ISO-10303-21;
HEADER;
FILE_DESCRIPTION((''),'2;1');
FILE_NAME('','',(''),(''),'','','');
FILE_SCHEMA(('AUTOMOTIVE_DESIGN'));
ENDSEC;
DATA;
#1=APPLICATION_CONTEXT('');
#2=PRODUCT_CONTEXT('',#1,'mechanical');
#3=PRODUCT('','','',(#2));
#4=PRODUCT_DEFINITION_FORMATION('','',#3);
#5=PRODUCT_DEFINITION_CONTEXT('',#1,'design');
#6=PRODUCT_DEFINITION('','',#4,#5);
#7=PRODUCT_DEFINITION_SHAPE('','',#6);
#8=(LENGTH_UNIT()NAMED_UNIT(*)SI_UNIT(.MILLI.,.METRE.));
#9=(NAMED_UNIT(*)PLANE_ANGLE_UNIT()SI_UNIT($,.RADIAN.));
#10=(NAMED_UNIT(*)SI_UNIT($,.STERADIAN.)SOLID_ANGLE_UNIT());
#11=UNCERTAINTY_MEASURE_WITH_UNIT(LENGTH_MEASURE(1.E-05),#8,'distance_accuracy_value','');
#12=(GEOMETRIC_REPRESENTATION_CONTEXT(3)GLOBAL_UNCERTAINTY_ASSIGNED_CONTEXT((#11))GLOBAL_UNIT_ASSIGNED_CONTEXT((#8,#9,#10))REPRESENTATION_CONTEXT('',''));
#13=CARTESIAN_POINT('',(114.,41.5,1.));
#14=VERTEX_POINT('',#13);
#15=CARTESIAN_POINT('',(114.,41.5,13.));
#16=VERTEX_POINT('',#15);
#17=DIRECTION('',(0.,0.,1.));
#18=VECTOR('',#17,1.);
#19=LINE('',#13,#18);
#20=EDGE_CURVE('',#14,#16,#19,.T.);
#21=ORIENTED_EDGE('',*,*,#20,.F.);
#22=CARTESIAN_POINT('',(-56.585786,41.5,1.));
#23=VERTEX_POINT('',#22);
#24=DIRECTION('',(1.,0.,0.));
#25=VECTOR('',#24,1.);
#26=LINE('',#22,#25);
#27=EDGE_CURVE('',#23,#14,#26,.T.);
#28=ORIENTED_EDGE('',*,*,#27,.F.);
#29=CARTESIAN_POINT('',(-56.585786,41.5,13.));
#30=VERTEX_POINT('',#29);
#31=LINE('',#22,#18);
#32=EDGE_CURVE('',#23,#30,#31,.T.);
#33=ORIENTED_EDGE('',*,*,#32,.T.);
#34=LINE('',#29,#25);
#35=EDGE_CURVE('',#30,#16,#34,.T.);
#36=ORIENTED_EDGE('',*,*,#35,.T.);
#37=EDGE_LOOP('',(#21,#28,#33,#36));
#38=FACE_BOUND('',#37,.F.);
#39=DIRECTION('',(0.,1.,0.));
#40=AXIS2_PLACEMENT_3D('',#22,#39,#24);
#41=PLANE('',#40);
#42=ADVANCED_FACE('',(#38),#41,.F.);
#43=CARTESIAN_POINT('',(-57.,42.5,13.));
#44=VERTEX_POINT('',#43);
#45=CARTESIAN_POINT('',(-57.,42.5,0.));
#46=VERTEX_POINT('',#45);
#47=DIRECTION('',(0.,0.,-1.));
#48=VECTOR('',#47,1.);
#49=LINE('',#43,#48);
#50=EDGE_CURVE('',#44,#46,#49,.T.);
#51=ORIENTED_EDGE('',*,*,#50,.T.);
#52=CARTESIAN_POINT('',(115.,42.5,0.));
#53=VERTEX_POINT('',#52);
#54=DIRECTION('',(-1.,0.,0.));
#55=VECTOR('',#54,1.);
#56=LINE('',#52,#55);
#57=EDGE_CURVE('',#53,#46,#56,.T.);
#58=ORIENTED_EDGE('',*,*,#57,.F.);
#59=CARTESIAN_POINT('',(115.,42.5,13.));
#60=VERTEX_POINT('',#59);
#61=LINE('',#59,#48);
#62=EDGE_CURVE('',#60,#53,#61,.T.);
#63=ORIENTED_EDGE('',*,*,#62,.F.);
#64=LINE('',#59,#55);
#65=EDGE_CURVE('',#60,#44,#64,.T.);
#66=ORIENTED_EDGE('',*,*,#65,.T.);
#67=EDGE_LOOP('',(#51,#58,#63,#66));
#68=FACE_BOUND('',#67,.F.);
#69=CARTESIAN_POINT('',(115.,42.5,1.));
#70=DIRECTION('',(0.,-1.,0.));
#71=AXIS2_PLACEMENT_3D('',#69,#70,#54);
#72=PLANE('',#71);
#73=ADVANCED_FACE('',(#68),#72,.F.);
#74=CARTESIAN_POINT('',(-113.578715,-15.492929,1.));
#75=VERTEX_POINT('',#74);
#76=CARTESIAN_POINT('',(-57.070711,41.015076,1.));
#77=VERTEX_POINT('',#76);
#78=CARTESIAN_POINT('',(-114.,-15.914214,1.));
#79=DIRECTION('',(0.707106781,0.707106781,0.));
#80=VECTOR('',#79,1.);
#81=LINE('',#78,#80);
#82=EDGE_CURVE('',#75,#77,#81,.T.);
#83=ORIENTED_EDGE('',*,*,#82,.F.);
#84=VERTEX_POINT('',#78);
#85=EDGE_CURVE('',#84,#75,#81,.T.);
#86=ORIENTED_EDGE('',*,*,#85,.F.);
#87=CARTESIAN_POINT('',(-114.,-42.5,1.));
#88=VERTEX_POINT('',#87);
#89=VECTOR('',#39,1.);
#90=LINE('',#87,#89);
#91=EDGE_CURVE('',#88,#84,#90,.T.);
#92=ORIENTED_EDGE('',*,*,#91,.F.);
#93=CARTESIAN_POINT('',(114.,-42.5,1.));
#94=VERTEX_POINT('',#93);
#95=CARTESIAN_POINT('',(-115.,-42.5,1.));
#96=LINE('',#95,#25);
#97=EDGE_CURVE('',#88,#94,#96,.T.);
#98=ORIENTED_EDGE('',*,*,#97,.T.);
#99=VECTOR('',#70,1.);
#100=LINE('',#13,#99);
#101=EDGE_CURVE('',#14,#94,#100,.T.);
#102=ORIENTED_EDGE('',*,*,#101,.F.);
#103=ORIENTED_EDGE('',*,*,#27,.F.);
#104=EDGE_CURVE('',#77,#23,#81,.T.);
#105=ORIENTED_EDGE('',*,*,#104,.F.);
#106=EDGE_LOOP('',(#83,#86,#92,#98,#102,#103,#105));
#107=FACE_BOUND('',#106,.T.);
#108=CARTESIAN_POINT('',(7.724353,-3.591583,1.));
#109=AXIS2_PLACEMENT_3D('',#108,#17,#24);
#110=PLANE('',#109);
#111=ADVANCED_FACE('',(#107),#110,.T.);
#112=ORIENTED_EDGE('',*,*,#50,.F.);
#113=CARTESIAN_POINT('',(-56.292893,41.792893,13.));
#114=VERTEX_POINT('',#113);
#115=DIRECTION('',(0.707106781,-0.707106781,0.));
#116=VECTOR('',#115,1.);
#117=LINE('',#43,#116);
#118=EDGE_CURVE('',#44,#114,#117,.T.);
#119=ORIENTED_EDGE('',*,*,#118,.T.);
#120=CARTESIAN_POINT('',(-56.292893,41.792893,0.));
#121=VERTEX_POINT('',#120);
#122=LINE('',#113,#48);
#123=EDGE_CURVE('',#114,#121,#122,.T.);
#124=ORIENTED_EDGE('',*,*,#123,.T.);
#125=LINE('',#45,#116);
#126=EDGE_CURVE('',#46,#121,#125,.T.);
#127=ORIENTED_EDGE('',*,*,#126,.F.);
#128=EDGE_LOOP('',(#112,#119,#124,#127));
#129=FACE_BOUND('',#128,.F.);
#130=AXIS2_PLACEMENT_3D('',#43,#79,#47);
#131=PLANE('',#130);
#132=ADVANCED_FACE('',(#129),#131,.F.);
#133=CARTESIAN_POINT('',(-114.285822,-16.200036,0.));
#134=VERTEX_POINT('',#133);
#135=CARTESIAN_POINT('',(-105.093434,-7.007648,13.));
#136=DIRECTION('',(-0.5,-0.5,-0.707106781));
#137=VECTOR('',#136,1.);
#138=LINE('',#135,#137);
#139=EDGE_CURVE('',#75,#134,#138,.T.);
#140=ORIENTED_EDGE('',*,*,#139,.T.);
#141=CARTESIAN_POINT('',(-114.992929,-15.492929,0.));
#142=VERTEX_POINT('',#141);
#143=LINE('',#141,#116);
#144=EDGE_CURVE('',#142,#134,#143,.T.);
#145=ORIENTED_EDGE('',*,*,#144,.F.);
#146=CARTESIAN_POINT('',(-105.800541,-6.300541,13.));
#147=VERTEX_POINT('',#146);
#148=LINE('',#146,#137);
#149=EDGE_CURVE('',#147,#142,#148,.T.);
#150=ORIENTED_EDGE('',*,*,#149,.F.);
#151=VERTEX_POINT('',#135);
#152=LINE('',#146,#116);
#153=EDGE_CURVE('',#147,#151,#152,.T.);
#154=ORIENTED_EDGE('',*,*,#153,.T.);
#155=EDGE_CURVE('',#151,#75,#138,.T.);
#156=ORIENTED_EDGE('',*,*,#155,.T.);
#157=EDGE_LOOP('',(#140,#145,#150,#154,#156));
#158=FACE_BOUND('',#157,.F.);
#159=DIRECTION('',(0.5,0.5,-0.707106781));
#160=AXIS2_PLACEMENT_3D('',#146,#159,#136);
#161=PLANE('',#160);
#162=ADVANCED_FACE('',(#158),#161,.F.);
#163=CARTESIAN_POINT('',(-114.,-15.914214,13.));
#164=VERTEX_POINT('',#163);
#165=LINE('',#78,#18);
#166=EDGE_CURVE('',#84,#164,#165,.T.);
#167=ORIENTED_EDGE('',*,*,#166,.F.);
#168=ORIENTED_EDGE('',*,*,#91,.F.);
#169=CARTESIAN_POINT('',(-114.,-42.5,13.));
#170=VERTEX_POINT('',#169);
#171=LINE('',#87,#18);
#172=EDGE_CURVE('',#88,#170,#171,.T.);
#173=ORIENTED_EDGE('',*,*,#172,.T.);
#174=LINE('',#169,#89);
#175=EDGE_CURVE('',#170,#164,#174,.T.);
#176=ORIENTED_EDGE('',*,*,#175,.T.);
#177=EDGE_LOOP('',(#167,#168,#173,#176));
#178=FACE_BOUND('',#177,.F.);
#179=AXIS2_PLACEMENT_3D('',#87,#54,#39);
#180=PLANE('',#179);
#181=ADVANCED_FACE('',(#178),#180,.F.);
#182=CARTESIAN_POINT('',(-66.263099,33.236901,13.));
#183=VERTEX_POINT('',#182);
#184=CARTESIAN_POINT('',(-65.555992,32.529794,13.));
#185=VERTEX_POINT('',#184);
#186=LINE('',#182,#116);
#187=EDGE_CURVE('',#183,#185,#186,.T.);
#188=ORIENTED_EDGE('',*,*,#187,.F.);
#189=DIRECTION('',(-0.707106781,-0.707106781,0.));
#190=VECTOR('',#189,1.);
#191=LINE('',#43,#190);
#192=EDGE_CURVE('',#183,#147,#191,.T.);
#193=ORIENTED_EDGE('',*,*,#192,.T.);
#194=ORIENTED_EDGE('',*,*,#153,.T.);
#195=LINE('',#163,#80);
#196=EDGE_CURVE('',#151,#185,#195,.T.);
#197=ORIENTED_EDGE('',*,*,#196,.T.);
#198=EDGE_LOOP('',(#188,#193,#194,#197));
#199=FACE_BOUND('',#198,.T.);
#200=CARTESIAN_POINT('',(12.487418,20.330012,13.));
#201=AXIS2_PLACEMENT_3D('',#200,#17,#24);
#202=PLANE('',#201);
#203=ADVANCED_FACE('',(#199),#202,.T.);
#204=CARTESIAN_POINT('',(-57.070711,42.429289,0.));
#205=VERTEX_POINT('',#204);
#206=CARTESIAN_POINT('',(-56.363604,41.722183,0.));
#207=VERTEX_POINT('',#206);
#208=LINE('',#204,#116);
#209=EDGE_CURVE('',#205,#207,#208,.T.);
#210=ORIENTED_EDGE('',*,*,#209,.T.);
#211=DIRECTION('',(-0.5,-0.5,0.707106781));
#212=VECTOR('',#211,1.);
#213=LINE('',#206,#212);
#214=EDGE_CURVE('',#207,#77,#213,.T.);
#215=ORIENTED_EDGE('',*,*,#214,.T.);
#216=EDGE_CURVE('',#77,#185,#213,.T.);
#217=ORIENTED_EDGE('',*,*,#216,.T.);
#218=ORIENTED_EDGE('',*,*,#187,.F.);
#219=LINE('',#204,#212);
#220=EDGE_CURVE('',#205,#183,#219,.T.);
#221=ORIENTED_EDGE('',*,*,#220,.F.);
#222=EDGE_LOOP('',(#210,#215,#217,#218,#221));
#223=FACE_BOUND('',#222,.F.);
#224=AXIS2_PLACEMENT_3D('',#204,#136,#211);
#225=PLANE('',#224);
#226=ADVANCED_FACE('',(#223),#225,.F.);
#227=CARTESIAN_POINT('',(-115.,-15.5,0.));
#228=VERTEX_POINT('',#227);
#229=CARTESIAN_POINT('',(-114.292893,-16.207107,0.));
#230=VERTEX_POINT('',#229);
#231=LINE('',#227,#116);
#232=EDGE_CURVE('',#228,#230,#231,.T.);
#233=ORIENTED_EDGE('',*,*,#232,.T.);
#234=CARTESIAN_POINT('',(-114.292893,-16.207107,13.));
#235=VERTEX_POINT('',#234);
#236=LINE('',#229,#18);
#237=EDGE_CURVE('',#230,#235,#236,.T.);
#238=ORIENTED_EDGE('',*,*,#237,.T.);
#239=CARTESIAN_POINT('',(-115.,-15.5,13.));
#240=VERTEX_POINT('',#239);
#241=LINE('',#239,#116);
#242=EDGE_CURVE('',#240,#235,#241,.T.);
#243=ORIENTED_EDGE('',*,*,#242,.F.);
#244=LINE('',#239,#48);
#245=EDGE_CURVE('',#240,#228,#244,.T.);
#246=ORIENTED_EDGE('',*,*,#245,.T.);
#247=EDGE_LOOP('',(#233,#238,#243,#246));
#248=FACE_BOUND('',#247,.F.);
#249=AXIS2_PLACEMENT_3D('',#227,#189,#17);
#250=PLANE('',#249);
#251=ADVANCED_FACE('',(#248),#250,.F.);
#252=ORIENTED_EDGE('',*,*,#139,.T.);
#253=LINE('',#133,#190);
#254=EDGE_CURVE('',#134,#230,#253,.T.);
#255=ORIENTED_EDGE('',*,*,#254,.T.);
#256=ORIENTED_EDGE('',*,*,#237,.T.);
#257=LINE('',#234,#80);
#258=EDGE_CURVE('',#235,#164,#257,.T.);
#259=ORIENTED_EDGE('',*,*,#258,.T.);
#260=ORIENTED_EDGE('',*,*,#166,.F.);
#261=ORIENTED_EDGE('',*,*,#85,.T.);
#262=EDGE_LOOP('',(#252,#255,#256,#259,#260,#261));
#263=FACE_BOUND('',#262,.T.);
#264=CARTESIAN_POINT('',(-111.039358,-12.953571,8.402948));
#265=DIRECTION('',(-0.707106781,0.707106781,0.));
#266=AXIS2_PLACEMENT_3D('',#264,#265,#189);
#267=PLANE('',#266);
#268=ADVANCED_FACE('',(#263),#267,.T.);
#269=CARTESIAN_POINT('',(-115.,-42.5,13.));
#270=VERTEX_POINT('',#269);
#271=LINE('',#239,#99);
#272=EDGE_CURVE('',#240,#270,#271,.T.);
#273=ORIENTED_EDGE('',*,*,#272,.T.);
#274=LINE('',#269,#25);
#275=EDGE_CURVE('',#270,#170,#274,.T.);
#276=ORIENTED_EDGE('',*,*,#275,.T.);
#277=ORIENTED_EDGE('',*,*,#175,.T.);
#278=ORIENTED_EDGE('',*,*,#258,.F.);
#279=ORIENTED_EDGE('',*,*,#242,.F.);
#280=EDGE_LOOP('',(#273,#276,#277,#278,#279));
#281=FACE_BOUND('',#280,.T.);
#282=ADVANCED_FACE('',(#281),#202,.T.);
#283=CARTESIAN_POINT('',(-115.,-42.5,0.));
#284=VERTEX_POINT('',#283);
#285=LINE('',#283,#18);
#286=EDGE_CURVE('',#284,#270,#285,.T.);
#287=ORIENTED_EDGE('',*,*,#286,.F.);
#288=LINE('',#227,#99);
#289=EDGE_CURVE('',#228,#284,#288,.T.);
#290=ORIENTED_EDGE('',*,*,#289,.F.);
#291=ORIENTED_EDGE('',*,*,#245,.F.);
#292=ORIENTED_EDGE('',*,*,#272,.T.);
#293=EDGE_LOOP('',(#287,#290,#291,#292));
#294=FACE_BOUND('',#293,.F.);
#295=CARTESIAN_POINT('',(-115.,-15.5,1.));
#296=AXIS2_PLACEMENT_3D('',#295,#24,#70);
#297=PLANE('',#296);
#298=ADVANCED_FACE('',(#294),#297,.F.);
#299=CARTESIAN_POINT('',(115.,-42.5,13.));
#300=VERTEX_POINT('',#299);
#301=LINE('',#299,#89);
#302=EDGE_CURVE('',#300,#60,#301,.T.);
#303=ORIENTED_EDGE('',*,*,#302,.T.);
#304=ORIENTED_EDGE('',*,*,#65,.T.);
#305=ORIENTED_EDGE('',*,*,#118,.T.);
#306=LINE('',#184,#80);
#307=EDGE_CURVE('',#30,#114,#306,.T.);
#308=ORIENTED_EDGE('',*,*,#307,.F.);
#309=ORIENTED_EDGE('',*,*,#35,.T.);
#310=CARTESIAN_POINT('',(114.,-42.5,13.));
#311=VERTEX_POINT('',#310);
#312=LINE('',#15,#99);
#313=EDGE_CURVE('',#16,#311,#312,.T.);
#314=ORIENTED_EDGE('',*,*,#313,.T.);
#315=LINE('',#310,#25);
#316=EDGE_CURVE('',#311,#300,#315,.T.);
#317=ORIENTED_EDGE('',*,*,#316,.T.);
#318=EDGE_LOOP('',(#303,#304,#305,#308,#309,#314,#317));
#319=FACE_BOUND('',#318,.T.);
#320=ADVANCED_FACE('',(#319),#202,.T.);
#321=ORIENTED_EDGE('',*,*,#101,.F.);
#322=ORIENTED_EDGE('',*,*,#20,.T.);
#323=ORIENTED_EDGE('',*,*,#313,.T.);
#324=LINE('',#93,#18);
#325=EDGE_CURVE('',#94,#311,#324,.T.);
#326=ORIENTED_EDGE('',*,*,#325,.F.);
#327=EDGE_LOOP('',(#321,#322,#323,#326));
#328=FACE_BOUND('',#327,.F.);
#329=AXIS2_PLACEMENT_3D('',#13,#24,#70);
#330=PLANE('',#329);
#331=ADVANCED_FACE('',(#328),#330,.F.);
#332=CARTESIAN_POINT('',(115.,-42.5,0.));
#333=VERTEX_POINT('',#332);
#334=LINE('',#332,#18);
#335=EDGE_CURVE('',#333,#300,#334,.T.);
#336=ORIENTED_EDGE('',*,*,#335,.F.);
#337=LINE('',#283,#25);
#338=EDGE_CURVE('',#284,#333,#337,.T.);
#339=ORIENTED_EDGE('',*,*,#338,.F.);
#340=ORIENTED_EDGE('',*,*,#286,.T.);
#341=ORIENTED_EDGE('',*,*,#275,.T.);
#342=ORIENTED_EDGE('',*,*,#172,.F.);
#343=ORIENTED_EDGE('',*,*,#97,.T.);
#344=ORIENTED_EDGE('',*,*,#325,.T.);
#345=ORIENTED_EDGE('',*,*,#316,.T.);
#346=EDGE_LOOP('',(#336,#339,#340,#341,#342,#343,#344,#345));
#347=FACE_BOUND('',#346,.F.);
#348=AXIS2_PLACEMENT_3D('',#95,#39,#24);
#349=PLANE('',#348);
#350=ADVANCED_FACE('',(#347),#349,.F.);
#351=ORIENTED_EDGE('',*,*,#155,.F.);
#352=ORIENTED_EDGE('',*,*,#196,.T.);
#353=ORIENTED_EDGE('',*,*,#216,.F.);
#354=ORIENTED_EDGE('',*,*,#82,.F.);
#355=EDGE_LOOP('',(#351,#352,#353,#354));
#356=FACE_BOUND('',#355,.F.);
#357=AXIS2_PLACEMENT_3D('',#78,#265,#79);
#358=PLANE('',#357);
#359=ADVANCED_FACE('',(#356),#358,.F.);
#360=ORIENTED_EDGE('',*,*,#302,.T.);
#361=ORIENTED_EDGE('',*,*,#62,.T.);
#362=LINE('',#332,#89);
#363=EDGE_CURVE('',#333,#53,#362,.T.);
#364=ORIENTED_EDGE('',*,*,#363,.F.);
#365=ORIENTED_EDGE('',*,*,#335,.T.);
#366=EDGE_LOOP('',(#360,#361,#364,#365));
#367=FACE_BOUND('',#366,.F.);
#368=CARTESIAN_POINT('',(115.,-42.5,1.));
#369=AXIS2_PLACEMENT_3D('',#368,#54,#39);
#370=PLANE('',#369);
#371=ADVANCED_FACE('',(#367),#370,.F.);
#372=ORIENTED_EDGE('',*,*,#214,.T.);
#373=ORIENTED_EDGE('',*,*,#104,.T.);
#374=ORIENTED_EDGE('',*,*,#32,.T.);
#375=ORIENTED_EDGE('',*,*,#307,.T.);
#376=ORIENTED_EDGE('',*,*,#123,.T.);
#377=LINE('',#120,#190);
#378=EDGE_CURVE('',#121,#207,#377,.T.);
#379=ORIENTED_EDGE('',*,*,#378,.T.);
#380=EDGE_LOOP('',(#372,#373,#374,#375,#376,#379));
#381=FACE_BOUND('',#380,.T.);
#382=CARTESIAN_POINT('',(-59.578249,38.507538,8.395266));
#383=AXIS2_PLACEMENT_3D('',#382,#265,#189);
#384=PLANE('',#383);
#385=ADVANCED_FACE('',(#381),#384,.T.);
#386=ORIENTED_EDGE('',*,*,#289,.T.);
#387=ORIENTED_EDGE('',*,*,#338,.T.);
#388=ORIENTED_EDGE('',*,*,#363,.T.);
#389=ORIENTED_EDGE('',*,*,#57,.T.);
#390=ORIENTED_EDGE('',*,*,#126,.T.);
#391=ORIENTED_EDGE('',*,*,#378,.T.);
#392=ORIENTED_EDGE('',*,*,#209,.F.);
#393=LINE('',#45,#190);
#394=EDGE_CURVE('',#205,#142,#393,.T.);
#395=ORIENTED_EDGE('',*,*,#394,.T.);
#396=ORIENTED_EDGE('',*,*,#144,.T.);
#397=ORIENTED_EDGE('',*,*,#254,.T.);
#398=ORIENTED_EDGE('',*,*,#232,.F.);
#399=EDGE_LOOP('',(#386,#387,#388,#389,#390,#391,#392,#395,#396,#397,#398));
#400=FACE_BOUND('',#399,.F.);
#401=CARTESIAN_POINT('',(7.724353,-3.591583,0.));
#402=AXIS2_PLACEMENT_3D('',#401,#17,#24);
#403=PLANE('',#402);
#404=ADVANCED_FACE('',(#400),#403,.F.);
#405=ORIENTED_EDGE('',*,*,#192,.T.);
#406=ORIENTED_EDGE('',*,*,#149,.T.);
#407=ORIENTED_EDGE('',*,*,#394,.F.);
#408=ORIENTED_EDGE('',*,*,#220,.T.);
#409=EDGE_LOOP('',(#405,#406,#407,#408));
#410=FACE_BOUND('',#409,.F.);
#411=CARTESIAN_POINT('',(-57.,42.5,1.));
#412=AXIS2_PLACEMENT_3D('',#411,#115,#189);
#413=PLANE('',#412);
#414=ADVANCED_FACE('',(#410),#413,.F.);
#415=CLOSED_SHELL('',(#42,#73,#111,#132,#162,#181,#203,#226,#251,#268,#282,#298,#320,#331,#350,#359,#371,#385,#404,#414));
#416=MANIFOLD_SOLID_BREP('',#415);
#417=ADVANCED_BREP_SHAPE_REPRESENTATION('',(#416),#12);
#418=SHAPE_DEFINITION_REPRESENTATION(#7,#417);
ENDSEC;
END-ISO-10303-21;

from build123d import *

# Parameters (mm, degrees)
F1_DEPTH = 1
F3_DEPTH = 12
F5_DEPTH = 1


with BuildPart() as f1:
    # F0 (on Top) → F1 (new body)
    with BuildSketch(Plane.XY):
        Polygon((-115, -42.5), (115, -42.5), (115, 42.5), (-57, 42.5), (-115, -15.5), align=None)
    extrude(amount=F1_DEPTH)

    # F2 (on face) → F3 (join)
    with BuildSketch(Plane.XY.offset(1)):
        Polygon((-115, -15.5), (-115, -42.5), (-114, -42.5), (-114, -15.9142135624), (-56.5857864376, 41.5), (114, 41.5), (114, -42.5), (115, -42.5), (115, 42.5), (-57, 42.5), align=None)
    extrude(amount=F3_DEPTH)

    # F4 (on face) → F5 (cut)
    with BuildSketch(Plane(origin=(-49.75, 49.75, 0), x_dir=(-0.7071067812, -0.7071067812, 0), z_dir=(-0.7071067812, 0.7071067812, 0))):
        Polygon((92.2674349448, 0), (92.2774349448, 0), (92.2774349448, 13), (79.2674349448, 13), align=None)
        Polygon((23.3530483272, 13), (10.2530483272, 13), (10.2530483272, 0), (10.3530483272, 0), align=None)
    extrude(amount=-F5_DEPTH, mode=Mode.SUBTRACT)


solid = f1.part
